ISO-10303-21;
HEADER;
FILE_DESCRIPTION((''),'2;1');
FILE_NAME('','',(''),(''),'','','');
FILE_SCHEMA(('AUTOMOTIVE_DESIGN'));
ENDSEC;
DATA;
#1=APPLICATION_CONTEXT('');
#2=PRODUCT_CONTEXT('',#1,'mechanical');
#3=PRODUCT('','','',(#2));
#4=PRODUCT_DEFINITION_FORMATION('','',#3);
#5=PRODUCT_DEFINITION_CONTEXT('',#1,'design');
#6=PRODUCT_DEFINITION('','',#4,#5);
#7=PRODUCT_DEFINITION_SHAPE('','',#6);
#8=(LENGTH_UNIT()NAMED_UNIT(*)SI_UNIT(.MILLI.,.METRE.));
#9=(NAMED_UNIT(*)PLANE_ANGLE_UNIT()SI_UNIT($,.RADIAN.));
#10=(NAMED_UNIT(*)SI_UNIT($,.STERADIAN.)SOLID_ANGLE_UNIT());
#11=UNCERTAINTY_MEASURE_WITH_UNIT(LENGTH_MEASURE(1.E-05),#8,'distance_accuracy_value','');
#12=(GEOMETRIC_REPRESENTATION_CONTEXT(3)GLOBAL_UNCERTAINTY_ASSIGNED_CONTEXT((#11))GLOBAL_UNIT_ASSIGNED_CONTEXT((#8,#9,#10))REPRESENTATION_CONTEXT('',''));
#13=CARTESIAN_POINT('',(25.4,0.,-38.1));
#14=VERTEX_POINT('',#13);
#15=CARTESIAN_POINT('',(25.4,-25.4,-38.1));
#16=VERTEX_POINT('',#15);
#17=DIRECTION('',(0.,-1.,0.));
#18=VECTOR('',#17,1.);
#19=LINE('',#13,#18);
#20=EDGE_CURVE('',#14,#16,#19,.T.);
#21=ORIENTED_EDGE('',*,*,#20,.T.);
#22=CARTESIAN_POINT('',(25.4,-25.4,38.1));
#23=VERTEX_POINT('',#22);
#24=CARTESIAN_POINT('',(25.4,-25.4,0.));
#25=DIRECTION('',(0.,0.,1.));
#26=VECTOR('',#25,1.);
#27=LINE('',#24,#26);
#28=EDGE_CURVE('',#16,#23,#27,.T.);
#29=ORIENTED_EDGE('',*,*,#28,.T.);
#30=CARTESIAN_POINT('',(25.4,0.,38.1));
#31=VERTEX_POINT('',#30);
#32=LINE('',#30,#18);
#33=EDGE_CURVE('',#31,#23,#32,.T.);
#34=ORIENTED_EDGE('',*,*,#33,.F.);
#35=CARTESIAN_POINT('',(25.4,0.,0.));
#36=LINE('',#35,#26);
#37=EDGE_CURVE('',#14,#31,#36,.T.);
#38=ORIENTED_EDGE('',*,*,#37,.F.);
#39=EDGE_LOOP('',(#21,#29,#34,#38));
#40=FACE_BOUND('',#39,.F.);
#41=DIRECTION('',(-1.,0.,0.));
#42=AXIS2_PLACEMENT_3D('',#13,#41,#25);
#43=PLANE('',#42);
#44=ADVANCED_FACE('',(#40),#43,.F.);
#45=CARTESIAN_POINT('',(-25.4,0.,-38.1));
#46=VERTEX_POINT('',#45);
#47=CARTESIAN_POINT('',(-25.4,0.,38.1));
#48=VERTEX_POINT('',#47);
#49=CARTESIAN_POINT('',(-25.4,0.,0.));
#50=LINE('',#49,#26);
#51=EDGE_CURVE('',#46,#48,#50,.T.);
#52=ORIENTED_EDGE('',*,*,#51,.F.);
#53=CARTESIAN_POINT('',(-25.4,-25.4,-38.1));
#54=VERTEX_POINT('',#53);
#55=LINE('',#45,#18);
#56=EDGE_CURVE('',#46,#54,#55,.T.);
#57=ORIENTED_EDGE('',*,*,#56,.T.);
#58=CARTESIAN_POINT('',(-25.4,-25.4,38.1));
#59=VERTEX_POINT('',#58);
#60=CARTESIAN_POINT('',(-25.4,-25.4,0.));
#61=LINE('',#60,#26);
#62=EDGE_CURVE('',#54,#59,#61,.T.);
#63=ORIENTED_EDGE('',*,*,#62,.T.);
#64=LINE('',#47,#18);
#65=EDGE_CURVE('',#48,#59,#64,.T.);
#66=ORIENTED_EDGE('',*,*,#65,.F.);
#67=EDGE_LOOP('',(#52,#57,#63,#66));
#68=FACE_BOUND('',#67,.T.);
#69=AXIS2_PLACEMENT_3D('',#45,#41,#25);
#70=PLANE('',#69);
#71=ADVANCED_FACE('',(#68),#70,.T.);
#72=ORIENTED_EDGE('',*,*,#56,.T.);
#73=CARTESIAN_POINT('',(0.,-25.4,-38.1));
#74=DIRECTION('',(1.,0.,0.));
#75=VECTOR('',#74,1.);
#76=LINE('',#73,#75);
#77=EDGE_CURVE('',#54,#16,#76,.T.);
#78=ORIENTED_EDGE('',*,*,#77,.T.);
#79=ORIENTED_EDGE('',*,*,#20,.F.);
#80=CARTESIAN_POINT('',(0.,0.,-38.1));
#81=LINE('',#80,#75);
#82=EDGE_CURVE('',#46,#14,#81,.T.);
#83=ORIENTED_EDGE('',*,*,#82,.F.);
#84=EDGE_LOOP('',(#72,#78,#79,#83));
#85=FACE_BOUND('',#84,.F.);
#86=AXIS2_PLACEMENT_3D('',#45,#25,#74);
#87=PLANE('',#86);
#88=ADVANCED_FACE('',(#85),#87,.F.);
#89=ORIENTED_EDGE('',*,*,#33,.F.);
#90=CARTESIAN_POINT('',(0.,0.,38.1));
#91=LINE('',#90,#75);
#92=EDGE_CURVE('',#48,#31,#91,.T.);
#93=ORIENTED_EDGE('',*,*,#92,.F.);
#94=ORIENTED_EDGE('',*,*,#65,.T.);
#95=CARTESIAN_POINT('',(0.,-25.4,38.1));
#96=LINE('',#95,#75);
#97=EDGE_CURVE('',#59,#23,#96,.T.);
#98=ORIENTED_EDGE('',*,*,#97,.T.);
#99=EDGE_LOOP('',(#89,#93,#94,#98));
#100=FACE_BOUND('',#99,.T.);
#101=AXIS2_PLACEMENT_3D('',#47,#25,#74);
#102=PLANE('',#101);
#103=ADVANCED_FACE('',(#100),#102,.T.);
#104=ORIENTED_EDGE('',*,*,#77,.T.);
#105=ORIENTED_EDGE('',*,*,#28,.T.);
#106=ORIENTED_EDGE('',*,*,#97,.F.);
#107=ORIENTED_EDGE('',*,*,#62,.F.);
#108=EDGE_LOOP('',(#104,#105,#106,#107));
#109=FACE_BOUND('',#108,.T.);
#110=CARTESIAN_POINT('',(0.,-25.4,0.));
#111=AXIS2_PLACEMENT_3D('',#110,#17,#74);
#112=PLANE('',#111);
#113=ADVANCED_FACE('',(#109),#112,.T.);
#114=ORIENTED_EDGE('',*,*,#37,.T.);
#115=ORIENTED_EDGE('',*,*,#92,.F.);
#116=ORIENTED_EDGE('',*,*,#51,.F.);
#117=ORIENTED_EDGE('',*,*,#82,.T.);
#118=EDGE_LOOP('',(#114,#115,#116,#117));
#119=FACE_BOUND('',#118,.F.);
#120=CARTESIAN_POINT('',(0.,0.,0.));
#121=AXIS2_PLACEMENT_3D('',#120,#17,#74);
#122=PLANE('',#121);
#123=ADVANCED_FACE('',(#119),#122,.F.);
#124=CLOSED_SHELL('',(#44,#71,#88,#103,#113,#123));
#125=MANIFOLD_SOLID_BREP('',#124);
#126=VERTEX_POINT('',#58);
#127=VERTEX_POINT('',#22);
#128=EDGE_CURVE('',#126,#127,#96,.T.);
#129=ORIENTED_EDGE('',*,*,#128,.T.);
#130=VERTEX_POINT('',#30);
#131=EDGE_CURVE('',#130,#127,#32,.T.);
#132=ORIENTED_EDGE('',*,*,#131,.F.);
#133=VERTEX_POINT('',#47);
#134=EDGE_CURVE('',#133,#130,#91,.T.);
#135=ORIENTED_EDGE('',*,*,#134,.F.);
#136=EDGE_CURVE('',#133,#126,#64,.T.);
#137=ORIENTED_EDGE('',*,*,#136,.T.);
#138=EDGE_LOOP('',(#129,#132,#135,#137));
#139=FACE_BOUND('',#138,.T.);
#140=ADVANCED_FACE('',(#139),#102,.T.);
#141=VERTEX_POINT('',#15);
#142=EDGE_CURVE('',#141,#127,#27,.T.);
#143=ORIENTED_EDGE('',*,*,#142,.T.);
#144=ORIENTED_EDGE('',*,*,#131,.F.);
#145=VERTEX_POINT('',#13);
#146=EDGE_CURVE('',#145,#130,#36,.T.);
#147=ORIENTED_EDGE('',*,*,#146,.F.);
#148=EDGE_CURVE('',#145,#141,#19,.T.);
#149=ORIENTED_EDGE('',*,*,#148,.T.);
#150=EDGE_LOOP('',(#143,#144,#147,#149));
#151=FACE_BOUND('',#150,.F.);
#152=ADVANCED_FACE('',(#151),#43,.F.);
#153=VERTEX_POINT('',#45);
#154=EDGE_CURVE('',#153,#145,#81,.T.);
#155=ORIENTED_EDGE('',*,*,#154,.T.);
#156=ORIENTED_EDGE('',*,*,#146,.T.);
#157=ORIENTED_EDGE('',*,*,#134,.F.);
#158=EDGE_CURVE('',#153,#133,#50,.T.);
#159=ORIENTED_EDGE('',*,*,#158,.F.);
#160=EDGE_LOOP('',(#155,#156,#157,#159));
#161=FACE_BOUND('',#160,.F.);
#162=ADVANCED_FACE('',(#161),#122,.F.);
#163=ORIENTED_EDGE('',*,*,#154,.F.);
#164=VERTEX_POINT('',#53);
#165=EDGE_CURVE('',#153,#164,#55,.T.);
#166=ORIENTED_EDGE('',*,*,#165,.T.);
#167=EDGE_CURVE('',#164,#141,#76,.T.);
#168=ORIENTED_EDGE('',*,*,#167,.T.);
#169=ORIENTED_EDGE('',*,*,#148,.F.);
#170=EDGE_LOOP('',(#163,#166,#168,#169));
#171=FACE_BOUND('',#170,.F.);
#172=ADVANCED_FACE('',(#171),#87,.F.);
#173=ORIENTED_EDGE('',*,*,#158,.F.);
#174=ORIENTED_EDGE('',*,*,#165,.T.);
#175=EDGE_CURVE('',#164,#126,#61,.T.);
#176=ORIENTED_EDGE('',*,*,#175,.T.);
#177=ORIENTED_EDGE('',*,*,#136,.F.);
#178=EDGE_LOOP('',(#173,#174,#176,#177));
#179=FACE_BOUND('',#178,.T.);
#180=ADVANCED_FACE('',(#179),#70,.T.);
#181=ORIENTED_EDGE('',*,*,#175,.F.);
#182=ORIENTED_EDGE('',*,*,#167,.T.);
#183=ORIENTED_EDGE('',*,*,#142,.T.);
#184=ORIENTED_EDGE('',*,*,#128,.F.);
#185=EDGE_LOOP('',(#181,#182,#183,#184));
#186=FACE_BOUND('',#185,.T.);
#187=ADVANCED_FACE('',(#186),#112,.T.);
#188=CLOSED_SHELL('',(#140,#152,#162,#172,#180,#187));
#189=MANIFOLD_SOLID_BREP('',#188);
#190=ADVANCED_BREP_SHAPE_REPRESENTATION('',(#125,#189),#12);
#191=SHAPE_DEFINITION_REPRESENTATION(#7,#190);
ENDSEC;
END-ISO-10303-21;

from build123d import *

# Parameters (mm, degrees)
F0_W     = 50.8
F0_H     = 76.2
F1_DEPTH = 25.4
F2_DEPTH = 25.4


with BuildPart() as f1:
    # F0 (on Front) → F1 (new body)
    with BuildSketch(Plane.XZ):
        Rectangle(F0_W, F0_H)
    extrude(amount=F1_DEPTH)


with BuildPart() as f2:
    # F0 (on Front) → F2 (new body)
    with BuildSketch(Plane.XZ):
        Rectangle(F0_W, F0_H)
    extrude(amount=F2_DEPTH)


solid = Compound([f1.part, f2.part])
